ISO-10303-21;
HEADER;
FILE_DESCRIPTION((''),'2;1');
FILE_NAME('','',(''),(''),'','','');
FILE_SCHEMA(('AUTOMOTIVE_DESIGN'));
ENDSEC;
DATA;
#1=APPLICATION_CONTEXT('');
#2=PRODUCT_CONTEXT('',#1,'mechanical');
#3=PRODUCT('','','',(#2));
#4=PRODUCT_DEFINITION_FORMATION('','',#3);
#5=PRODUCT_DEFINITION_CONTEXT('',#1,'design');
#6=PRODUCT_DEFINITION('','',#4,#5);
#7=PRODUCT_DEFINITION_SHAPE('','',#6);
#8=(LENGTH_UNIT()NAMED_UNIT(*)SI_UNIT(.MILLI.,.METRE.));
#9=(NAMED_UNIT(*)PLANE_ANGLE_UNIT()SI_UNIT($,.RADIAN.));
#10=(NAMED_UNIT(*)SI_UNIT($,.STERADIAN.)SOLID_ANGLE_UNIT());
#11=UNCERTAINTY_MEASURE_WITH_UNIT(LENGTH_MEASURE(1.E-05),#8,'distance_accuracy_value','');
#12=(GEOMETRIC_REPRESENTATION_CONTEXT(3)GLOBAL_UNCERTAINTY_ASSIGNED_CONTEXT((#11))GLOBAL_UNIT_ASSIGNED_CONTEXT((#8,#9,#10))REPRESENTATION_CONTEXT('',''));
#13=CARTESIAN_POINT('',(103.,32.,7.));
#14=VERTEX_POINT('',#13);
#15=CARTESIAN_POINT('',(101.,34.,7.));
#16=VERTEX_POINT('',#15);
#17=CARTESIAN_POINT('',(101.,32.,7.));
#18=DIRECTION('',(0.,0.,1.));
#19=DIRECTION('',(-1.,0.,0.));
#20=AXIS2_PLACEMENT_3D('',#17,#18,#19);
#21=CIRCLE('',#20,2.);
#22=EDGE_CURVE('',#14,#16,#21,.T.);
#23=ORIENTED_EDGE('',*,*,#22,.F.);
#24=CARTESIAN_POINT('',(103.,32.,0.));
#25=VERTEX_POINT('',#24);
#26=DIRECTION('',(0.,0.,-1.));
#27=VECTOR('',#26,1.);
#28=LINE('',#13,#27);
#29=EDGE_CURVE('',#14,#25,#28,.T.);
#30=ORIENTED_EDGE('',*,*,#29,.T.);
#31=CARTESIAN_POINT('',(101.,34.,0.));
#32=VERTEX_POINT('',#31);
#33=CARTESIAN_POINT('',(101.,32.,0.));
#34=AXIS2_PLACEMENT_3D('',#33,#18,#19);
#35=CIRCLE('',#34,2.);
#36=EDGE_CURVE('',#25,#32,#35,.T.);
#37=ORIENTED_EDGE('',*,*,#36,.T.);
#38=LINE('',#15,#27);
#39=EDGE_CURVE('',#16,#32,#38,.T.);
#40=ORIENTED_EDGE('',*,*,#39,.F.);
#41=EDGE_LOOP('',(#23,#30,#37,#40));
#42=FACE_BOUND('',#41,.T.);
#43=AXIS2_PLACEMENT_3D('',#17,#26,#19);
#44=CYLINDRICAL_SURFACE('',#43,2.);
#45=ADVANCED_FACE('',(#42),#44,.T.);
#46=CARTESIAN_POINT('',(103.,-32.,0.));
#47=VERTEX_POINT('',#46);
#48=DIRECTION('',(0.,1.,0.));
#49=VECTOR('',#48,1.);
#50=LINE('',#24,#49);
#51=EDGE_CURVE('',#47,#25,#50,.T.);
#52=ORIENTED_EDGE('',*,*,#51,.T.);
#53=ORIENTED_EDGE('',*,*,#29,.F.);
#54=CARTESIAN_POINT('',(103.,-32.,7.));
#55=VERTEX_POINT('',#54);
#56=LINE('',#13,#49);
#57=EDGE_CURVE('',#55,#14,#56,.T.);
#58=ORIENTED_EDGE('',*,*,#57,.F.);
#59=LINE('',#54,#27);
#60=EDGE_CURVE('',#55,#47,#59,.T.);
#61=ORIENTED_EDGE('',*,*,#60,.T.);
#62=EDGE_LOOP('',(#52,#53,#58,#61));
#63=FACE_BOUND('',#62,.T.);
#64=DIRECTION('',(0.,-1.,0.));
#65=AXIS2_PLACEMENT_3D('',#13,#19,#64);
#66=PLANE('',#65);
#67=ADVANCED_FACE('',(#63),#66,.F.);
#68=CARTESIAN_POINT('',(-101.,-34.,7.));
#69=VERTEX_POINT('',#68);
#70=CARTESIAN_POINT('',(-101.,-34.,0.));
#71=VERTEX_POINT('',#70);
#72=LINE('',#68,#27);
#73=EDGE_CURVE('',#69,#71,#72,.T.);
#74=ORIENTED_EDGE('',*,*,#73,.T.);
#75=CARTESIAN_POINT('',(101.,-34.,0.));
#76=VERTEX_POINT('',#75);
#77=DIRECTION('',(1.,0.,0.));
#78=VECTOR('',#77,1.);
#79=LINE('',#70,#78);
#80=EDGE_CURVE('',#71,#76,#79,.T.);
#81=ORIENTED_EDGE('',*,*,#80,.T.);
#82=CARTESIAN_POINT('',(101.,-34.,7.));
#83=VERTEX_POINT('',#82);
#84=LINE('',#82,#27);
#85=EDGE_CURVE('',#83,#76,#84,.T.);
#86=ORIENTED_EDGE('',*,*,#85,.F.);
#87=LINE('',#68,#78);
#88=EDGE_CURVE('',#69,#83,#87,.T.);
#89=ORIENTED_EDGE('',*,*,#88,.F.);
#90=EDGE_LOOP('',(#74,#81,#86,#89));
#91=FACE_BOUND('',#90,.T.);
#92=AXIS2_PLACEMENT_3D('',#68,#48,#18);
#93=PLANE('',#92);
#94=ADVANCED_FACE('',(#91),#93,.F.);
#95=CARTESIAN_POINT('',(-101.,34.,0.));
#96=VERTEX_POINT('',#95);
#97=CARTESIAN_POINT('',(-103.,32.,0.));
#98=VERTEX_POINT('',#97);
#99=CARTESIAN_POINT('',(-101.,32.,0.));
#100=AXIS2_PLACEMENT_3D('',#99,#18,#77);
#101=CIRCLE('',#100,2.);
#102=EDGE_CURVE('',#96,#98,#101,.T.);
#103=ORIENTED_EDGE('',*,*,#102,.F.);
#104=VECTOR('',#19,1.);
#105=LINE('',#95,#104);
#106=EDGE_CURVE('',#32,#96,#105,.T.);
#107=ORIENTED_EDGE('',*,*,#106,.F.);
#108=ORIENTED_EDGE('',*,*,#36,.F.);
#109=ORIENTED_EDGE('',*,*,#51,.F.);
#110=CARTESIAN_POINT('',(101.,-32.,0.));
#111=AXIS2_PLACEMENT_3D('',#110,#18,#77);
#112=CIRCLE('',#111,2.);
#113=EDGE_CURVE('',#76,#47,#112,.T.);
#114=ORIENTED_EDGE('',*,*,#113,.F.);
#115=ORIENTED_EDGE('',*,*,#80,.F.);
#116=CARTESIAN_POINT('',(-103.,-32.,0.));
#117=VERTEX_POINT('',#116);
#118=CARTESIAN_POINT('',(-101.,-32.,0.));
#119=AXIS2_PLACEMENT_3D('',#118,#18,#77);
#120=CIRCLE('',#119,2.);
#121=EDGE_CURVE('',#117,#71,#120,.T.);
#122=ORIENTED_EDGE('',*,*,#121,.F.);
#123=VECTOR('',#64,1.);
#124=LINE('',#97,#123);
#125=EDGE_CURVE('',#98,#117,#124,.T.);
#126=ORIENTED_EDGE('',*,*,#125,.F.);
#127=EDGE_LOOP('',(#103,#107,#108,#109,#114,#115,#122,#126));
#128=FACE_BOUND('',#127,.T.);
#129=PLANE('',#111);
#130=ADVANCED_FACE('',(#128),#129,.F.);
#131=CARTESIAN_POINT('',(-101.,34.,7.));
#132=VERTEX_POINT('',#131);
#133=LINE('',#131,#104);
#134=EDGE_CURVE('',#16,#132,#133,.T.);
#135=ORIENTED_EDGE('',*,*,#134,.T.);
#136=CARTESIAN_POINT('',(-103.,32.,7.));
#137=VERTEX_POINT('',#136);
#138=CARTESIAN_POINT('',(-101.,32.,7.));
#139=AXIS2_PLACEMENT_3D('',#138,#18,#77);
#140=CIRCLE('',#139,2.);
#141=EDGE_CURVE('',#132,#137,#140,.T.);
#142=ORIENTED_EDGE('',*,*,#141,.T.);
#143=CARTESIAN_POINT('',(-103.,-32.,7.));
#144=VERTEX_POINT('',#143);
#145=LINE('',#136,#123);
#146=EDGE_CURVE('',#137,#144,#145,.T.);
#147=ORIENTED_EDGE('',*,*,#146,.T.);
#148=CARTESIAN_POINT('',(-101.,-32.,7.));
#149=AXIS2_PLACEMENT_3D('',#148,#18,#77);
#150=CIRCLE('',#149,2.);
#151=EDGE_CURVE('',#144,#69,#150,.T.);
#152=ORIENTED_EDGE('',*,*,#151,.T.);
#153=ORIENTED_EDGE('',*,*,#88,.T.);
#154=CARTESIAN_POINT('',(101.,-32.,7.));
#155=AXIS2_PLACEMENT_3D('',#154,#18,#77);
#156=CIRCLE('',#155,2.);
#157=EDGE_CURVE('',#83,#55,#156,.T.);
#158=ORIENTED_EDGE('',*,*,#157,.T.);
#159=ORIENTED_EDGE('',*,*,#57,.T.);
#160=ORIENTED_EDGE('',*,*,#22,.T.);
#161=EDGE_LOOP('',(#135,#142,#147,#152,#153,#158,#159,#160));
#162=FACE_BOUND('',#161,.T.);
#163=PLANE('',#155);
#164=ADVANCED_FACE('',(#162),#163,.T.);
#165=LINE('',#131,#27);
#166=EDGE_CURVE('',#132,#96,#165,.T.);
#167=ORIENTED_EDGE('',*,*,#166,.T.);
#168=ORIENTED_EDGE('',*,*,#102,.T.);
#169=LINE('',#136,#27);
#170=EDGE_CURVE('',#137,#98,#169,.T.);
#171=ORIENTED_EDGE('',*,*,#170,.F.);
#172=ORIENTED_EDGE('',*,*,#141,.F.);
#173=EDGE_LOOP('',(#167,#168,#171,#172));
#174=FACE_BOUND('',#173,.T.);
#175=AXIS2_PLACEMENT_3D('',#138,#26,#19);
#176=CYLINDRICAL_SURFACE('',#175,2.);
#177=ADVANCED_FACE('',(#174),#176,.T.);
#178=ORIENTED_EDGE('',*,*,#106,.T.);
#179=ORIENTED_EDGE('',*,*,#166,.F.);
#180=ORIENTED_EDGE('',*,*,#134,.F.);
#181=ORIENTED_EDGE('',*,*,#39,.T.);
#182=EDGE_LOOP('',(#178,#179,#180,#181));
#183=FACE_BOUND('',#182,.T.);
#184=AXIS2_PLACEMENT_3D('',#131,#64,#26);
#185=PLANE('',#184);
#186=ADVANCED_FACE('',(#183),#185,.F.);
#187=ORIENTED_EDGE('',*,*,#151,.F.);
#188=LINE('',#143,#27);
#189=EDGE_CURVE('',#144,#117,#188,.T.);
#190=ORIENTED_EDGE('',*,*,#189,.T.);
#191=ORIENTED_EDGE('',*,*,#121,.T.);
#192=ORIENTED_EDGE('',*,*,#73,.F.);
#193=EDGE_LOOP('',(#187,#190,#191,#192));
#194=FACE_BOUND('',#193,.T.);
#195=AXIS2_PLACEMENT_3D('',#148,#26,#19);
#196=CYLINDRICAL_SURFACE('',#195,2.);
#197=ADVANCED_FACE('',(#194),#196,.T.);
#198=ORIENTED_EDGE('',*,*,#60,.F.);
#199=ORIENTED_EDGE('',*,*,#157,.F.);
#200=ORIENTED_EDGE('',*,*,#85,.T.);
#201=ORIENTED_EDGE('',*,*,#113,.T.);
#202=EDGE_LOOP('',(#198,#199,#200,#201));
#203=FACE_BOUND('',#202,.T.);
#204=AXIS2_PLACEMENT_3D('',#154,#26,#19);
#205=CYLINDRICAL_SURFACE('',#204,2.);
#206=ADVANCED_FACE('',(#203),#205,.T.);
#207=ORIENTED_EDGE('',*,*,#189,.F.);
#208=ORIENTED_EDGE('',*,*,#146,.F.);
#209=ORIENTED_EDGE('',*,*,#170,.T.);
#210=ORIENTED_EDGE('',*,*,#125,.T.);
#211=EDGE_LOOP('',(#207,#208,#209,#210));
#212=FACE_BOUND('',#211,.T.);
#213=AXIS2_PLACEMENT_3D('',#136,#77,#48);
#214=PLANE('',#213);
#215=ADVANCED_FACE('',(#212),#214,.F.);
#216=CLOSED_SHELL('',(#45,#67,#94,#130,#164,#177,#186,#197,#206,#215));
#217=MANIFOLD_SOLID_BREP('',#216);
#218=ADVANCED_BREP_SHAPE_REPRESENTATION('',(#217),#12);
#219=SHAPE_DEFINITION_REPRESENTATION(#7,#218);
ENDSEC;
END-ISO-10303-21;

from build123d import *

# Parameters (mm, degrees)
EXTRUDE_1_DEPTH = 7


with BuildPart() as part:
    # 草图1 → 凸台-拉伸1 (new body)
    with BuildSketch(Plane.XY):
        with BuildLine():
            Line((-101, 34), (101, 34))
            ThreePointArc((101, 34), (102.414213562, 33.414213562), (103, 32))
            Line((103, 32), (103, -32))
            ThreePointArc((103, -32), (102.414213562, -33.414213562), (101, -34))
            Line((101, -34), (-101, -34))
            ThreePointArc((-101, -34), (-102.414213562, -33.414213562), (-103, -32))
            Line((-103, -32), (-103, 32))
            ThreePointArc((-103, 32), (-102.414213562, 33.414213562), (-101, 34))
        make_face()
    extrude(amount=EXTRUDE_1_DEPTH)


solid = part.part
